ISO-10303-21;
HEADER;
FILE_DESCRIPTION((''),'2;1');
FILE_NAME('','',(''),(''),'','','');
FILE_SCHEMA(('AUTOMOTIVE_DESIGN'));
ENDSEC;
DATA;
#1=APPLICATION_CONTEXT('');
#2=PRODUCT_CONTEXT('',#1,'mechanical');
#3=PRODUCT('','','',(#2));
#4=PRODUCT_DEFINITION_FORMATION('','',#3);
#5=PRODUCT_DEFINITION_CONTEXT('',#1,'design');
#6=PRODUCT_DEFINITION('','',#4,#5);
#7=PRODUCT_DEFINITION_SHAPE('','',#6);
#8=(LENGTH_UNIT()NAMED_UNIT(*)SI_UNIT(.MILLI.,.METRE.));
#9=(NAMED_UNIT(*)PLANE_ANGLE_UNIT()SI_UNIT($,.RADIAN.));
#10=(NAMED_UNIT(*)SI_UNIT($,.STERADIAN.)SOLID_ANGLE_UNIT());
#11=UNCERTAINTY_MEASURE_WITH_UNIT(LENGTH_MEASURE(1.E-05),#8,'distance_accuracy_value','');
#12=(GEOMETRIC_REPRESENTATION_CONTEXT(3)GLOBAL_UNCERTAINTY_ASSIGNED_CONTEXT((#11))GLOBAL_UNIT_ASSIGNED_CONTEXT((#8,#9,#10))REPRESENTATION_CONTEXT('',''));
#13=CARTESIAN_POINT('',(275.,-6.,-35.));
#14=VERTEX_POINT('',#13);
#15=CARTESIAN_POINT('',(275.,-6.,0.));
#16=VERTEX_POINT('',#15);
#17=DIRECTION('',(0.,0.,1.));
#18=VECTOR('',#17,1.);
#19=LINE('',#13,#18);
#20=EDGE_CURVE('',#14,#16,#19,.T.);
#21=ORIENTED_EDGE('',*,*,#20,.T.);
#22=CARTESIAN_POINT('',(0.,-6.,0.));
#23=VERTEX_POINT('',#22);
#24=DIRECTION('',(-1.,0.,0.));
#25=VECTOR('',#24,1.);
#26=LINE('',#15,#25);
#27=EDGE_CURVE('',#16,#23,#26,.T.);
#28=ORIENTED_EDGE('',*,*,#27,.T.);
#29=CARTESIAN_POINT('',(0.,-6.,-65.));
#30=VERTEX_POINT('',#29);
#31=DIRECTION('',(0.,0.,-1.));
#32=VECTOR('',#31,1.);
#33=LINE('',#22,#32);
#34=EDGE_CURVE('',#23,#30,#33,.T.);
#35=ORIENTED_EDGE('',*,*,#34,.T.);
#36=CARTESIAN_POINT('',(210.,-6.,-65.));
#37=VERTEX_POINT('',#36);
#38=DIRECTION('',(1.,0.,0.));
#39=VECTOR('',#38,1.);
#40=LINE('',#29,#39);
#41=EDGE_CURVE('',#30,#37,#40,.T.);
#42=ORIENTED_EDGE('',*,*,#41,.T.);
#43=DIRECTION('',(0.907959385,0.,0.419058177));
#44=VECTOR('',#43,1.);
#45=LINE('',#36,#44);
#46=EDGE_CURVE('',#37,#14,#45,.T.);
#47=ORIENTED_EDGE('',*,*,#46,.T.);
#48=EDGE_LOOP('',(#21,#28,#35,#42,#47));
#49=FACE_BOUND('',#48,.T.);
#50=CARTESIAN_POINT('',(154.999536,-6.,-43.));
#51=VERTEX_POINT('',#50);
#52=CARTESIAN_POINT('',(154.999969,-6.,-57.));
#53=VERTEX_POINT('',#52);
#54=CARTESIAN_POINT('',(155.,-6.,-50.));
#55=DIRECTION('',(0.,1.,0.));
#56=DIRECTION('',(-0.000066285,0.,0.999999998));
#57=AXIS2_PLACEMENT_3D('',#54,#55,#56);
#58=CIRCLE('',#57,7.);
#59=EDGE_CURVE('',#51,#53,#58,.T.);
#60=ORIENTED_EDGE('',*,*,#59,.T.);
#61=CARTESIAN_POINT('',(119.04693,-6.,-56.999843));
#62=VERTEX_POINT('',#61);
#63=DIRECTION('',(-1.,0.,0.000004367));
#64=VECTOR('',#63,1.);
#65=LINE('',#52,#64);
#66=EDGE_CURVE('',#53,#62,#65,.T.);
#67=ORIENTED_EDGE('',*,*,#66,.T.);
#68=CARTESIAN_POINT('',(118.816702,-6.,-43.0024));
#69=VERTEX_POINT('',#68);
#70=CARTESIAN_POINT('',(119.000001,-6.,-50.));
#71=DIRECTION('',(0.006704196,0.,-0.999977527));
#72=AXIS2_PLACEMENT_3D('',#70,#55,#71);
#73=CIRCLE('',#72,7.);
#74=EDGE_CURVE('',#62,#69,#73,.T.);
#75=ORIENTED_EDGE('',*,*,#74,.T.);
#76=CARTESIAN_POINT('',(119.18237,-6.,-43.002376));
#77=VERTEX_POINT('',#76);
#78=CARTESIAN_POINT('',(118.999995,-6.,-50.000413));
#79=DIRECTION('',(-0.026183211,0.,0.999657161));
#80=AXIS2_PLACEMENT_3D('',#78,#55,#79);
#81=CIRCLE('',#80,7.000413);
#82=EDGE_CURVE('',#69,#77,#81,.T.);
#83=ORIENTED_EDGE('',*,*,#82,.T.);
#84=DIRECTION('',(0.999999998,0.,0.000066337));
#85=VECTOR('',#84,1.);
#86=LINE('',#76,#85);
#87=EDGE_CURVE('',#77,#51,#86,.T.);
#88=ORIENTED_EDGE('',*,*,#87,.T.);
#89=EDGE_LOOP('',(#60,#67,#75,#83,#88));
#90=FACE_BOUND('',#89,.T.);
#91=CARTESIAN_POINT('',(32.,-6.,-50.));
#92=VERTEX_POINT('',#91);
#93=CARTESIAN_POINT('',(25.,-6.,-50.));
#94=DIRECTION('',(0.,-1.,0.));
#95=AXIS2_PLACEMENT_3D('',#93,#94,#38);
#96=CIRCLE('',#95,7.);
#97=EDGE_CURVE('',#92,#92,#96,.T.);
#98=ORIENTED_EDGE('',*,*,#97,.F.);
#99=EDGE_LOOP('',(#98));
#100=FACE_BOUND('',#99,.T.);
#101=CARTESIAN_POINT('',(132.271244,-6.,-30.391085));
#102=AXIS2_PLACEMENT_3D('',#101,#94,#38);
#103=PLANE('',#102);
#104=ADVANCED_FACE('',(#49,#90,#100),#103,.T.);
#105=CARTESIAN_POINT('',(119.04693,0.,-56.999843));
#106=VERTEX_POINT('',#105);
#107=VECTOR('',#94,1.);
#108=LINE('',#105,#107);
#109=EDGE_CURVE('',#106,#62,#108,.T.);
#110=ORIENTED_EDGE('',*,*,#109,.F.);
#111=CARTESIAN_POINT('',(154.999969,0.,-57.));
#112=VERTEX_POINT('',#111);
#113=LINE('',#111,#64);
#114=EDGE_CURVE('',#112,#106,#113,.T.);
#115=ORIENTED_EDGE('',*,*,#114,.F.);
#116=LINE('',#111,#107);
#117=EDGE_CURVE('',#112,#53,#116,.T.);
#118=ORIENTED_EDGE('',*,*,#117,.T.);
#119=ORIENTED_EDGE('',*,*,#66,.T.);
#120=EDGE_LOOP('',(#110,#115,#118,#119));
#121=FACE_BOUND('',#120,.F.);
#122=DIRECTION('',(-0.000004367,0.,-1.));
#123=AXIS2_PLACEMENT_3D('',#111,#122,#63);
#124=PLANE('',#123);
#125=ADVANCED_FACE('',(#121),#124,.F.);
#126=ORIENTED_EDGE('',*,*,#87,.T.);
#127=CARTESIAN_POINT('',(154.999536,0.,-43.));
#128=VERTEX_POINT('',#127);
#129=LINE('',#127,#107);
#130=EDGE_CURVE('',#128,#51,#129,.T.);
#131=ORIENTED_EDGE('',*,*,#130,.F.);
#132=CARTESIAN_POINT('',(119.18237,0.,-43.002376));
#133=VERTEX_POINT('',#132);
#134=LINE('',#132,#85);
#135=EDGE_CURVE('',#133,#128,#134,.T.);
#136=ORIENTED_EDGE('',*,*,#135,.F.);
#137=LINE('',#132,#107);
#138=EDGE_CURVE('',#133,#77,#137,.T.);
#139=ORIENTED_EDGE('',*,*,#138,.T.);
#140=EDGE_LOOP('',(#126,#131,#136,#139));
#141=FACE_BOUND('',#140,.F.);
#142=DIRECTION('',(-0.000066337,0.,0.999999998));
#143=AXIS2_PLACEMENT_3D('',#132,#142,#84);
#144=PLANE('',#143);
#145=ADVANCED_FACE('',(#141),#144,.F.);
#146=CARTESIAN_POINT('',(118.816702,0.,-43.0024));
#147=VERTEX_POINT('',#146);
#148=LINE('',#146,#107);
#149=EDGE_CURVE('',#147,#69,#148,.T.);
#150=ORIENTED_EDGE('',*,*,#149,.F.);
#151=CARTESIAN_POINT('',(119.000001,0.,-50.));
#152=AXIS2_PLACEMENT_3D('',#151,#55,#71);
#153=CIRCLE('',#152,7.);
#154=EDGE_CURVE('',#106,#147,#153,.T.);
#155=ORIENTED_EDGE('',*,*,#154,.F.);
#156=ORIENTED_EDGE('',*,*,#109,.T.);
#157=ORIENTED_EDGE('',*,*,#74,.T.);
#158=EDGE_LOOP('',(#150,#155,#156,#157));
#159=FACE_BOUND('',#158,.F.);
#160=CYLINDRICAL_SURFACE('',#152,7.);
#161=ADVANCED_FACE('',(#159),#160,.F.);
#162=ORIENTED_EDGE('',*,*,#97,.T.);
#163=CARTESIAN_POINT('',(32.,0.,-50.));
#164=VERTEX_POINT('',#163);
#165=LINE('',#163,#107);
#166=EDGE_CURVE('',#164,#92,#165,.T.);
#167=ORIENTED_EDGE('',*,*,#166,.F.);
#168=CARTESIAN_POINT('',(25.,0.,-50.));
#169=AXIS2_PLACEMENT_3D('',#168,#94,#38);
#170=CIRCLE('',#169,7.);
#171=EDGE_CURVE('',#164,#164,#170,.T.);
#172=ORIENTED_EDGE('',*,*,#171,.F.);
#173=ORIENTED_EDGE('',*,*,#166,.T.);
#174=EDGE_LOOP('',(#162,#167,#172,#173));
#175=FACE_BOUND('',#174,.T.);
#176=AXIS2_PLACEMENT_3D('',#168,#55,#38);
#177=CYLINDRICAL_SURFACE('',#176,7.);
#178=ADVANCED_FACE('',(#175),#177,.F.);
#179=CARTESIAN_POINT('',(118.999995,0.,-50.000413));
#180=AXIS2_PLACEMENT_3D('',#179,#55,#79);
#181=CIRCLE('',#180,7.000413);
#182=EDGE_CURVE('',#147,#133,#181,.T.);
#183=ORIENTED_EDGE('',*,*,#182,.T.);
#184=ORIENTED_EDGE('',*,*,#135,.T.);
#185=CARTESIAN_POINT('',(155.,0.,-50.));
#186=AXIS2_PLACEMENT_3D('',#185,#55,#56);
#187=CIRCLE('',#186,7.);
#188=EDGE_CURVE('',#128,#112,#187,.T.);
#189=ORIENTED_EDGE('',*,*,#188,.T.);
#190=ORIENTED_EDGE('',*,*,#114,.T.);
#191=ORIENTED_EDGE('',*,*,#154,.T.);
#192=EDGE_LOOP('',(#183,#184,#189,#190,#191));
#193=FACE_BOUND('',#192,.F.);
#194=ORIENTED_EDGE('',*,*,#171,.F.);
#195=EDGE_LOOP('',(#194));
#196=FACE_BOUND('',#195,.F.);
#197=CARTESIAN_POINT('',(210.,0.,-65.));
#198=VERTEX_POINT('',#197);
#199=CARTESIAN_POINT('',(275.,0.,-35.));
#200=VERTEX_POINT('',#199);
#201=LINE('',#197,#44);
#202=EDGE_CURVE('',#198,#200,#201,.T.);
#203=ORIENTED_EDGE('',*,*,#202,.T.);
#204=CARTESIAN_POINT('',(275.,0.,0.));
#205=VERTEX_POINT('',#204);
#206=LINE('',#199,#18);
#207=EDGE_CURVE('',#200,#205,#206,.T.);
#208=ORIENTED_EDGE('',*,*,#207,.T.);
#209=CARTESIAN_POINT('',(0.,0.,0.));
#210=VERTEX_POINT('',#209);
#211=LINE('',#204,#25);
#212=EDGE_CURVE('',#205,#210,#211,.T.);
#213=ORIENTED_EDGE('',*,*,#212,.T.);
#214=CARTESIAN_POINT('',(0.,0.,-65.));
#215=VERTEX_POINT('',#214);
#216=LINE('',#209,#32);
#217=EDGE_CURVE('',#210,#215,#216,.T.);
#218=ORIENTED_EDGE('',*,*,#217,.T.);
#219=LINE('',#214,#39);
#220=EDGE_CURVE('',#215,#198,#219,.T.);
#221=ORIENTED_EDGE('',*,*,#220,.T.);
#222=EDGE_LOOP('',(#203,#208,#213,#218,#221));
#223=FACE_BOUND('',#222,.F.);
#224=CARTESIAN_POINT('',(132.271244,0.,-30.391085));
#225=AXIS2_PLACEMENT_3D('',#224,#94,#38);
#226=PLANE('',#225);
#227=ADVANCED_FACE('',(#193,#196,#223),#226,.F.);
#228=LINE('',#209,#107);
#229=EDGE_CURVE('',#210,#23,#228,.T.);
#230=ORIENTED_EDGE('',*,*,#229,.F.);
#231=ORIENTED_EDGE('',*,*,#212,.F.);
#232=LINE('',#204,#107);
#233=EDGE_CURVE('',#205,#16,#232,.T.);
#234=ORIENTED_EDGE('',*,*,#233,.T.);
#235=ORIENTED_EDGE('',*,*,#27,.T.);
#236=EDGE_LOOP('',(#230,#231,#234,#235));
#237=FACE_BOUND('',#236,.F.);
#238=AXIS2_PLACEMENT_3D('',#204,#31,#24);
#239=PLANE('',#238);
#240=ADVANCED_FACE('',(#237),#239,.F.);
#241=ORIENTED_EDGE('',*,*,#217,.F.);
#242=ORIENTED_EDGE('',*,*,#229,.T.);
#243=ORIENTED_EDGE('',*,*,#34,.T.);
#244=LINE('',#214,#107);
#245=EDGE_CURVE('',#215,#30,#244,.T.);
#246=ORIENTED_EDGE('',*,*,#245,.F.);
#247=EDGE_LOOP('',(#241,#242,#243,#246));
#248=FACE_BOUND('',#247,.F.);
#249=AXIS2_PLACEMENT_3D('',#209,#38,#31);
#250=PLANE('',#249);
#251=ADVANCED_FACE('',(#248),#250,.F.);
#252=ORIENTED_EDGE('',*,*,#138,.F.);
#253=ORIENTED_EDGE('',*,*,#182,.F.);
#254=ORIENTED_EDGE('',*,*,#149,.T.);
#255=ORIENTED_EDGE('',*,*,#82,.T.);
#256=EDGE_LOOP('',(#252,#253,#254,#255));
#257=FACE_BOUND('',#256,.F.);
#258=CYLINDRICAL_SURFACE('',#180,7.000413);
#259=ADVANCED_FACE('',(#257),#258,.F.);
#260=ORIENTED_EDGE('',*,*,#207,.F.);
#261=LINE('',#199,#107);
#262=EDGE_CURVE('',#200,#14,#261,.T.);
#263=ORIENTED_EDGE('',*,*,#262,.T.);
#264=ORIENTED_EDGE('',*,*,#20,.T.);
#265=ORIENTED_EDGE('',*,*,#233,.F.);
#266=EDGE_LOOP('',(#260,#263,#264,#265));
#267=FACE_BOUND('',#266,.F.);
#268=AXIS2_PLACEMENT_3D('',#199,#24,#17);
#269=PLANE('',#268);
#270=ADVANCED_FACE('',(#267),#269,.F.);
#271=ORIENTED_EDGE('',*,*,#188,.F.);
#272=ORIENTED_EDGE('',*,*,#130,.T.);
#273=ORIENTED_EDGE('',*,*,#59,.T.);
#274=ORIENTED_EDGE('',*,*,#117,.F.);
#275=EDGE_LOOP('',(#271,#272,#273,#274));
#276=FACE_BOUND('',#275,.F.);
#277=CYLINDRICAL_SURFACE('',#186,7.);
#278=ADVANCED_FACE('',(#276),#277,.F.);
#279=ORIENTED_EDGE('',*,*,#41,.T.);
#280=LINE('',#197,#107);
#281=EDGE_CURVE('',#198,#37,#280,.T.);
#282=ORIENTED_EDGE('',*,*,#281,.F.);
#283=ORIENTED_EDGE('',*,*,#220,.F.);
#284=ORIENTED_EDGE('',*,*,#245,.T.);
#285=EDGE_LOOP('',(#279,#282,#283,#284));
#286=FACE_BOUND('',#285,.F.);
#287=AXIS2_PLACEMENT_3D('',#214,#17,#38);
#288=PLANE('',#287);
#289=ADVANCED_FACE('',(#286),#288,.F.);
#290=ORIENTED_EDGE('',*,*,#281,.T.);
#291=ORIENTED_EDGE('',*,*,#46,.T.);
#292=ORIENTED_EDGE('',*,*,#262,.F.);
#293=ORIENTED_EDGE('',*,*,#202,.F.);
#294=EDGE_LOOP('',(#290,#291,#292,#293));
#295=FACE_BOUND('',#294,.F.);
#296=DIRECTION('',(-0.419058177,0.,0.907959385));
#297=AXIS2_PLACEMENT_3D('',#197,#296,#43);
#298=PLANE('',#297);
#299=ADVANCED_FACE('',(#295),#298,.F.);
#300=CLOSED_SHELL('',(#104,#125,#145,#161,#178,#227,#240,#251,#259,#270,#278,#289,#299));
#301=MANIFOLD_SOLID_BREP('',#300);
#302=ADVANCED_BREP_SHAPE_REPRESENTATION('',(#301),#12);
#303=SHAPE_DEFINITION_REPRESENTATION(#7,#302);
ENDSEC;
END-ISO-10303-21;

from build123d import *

# Parameters (mm, degrees)
F0_R     = 7
F1_DEPTH = 6


with BuildPart() as f1:
    # F0 (on Front) → F1 (new body)
    with BuildSketch(Plane.XZ):
        Polygon((275, 0), (0, 0), (0, -65), (210, -65), (275, -35), align=None)
        with Locations((25, -50)):
            Circle(F0_R, mode=Mode.SUBTRACT)
        with BuildLine():
            ThreePointArc((154.999536, -43), (162, -49.999783), (154.999969, -57))
            Line((154.999969, -57), (119.04693, -56.999843))
            ThreePointArc((119.04693, -56.999843), (112.000947, -50.11512), (118.816702, -43.0024))
            ThreePointArc((118.816702, -43.0024), (118.999536, -43), (119.18237, -43.002376))
            Line((119.18237, -43.002376), (154.999536, -43))
        make_face(mode=Mode.SUBTRACT)
    extrude(amount=F1_DEPTH)


solid = f1.part
